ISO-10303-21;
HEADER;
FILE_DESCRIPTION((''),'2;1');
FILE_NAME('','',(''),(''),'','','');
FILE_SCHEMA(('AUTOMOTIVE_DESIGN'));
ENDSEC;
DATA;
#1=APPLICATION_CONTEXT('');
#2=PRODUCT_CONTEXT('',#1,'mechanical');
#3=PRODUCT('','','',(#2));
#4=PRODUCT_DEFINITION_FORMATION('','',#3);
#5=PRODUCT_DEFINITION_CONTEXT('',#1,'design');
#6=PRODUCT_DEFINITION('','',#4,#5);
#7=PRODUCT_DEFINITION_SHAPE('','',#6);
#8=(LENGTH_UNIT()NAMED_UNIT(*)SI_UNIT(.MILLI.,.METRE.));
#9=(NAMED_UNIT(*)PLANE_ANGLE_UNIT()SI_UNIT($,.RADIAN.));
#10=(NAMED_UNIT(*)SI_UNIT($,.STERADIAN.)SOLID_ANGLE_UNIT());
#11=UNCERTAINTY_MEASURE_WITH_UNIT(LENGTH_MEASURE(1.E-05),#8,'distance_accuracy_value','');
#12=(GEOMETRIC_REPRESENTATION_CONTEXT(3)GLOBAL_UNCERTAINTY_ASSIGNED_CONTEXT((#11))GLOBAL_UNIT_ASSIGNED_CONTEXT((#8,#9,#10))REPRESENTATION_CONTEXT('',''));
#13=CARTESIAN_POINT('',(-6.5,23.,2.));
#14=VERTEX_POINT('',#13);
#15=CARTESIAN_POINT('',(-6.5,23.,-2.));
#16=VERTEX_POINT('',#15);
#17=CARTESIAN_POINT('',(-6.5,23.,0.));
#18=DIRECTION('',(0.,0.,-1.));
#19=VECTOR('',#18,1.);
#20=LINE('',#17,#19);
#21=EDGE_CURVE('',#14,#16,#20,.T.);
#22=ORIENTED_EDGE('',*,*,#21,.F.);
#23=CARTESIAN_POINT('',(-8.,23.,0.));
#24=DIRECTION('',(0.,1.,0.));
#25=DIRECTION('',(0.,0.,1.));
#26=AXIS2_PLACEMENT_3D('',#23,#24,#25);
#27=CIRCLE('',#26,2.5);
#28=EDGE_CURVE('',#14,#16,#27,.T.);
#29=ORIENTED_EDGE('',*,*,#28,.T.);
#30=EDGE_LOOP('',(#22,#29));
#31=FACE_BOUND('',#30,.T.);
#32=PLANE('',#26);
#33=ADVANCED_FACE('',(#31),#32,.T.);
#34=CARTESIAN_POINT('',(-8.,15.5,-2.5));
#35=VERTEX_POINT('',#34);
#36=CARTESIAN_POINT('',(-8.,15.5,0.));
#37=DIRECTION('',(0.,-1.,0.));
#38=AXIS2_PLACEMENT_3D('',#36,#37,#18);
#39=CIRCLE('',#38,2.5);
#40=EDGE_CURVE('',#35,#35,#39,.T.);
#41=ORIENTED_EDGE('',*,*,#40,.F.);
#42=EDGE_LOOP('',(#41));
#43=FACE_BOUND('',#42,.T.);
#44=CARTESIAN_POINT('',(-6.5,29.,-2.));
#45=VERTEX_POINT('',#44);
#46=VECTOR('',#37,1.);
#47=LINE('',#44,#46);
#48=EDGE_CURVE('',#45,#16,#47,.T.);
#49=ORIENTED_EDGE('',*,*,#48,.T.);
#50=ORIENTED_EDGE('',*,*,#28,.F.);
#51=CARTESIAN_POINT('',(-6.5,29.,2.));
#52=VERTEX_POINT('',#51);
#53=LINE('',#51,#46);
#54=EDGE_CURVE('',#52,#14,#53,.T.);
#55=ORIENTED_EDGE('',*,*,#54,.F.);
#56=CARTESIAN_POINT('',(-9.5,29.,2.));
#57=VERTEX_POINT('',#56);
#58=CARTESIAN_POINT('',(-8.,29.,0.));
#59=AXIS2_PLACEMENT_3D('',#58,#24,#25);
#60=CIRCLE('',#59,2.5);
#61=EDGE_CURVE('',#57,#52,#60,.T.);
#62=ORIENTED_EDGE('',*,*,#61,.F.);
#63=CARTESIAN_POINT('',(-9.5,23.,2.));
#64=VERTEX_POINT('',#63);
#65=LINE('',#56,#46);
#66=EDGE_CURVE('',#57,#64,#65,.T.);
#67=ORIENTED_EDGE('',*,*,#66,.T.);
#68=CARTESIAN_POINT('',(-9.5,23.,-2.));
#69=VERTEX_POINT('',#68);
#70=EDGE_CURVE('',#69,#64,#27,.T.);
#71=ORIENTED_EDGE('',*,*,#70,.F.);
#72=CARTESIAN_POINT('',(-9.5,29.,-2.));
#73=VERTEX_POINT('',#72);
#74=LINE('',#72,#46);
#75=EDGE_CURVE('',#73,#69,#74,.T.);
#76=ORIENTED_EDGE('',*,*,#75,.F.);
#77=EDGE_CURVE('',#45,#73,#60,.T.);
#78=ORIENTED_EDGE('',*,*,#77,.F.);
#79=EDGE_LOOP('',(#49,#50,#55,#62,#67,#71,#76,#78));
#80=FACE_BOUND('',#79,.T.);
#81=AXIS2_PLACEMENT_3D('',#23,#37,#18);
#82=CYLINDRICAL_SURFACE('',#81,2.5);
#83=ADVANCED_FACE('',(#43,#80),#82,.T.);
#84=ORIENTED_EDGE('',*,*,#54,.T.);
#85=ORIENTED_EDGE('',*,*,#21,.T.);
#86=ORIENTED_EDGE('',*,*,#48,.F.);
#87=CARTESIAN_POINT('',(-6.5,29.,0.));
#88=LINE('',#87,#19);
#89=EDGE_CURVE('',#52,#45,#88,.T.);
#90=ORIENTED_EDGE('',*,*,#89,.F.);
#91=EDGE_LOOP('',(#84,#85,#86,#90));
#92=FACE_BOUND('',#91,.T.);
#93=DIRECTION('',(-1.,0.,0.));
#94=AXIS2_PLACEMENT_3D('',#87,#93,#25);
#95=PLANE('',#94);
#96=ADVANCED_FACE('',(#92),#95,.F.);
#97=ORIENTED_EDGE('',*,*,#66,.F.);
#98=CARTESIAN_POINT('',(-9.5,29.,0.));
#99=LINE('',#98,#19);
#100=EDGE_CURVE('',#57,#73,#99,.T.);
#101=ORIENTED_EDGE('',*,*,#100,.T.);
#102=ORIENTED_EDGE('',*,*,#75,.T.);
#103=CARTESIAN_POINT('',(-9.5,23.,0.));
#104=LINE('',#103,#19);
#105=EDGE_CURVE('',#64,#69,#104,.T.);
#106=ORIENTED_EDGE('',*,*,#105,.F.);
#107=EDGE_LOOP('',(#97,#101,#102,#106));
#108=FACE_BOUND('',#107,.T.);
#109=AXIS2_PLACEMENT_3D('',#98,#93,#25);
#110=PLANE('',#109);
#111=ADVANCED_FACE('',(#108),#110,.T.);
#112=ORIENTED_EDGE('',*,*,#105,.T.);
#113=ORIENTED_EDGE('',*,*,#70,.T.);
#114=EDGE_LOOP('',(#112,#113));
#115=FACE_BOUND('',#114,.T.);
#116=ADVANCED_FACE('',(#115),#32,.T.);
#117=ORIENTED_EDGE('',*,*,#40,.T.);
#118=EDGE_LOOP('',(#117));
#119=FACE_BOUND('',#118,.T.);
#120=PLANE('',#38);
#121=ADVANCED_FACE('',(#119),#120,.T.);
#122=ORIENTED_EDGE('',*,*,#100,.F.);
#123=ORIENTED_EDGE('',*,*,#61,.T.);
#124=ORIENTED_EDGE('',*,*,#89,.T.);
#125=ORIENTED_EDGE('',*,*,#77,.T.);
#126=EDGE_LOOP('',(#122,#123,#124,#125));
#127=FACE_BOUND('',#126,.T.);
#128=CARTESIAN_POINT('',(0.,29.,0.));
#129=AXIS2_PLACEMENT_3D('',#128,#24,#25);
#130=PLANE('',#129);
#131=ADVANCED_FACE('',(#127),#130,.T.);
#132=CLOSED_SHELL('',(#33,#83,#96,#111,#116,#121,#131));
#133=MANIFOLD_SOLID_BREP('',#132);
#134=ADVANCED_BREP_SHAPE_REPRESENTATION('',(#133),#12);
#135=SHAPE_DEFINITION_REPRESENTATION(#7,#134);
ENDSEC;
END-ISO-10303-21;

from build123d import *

# Parameters (mm, degrees)
CROQUIS1_R              = 14
CROQUIS1_W              = 14.155779923
CROQUIS1_H              = 14.6
SALIENTE_EXTRUIR1_DEPTH = 19
CROQUIS2_R              = 4.5
SALIENTE_EXTRUIR2_DEPTH = 1.5
CROQUIS3_R              = 2.5
SALIENTE_EXTRUIR3_DEPTH = 2.5
SALIENTE_EXTRUIR4_DEPTH = 6
CROQUIS5_W              = 18.5
CROQUIS5_H              = 1.5
CORTAR_EXTRUIR3_DEPTH   = 50
CROQUIS6_R              = 2.5
SALIENTE_EXTRUIR5_DEPTH = 5


with BuildPart() as part:
    # Croquis1 → Saliente-Extruir1 (new body)
    with BuildSketch(Plane(origin=(0, 0, 0), x_dir=(1, 0, 0), z_dir=(0, 1, 0))):
        Circle(CROQUIS1_R)
        with Locations((9.922110038, 0)):
            Rectangle(CROQUIS1_W, CROQUIS1_H)
    extrude(amount=SALIENTE_EXTRUIR1_DEPTH)

    # Croquis2 → Saliente-Extruir2 (add)
    with BuildSketch(Plane(origin=(0, 19, 0), x_dir=(1, 0, 0), z_dir=(0, 1, 0))):
        with Locations((-8, 0)):
            Circle(CROQUIS2_R)
    extrude(amount=SALIENTE_EXTRUIR2_DEPTH)

    # Croquis3 → Saliente-Extruir3 (add)
    with BuildSketch(Plane(origin=(0, 20.5, 0), x_dir=(1, 0, 0), z_dir=(0, 1, 0))):
        with Locations((-8, 0)):
            Circle(CROQUIS3_R)
    extrude(amount=SALIENTE_EXTRUIR3_DEPTH)

    # Croquis4 → Saliente-Extruir4 (add)
    with BuildSketch(Plane(origin=(0, 23, 0), x_dir=(1, 0, 0), z_dir=(0, 1, 0))):
        with BuildLine():
            Line((-9.5, 2), (-9.5, -2))
            ThreePointArc((-9.5, -2), (-8, -2.5), (-6.5, -2))
            Line((-6.5, -2), (-6.5, 2))
            ThreePointArc((-6.5, 2), (-8, 2.5), (-9.5, 2))
        make_face()
    extrude(amount=SALIENTE_EXTRUIR4_DEPTH)

    # Croquis5 → Cortar-Extruir3 (cut)
    with BuildSketch(Plane(origin=(17, 0, 0), x_dir=(0, 0, -1), z_dir=(1, 0, 0))):
        with Locations((-4.75, 19.75)):
            Rectangle(CROQUIS5_W, CROQUIS5_H)
        Polygon((4.5, 19), (-14, 19), (-14, 0), (14, 0), (14, 19), align=None)
    extrude(amount=-CORTAR_EXTRUIR3_DEPTH, mode=Mode.SUBTRACT)

    # Croquis6 → Saliente-Extruir5 (add)
    with BuildSketch(Plane.XZ.offset(-20.5)):
        with Locations((-8, 0)):
            Circle(CROQUIS6_R)
    extrude(amount=SALIENTE_EXTRUIR5_DEPTH)


solid = part.part
